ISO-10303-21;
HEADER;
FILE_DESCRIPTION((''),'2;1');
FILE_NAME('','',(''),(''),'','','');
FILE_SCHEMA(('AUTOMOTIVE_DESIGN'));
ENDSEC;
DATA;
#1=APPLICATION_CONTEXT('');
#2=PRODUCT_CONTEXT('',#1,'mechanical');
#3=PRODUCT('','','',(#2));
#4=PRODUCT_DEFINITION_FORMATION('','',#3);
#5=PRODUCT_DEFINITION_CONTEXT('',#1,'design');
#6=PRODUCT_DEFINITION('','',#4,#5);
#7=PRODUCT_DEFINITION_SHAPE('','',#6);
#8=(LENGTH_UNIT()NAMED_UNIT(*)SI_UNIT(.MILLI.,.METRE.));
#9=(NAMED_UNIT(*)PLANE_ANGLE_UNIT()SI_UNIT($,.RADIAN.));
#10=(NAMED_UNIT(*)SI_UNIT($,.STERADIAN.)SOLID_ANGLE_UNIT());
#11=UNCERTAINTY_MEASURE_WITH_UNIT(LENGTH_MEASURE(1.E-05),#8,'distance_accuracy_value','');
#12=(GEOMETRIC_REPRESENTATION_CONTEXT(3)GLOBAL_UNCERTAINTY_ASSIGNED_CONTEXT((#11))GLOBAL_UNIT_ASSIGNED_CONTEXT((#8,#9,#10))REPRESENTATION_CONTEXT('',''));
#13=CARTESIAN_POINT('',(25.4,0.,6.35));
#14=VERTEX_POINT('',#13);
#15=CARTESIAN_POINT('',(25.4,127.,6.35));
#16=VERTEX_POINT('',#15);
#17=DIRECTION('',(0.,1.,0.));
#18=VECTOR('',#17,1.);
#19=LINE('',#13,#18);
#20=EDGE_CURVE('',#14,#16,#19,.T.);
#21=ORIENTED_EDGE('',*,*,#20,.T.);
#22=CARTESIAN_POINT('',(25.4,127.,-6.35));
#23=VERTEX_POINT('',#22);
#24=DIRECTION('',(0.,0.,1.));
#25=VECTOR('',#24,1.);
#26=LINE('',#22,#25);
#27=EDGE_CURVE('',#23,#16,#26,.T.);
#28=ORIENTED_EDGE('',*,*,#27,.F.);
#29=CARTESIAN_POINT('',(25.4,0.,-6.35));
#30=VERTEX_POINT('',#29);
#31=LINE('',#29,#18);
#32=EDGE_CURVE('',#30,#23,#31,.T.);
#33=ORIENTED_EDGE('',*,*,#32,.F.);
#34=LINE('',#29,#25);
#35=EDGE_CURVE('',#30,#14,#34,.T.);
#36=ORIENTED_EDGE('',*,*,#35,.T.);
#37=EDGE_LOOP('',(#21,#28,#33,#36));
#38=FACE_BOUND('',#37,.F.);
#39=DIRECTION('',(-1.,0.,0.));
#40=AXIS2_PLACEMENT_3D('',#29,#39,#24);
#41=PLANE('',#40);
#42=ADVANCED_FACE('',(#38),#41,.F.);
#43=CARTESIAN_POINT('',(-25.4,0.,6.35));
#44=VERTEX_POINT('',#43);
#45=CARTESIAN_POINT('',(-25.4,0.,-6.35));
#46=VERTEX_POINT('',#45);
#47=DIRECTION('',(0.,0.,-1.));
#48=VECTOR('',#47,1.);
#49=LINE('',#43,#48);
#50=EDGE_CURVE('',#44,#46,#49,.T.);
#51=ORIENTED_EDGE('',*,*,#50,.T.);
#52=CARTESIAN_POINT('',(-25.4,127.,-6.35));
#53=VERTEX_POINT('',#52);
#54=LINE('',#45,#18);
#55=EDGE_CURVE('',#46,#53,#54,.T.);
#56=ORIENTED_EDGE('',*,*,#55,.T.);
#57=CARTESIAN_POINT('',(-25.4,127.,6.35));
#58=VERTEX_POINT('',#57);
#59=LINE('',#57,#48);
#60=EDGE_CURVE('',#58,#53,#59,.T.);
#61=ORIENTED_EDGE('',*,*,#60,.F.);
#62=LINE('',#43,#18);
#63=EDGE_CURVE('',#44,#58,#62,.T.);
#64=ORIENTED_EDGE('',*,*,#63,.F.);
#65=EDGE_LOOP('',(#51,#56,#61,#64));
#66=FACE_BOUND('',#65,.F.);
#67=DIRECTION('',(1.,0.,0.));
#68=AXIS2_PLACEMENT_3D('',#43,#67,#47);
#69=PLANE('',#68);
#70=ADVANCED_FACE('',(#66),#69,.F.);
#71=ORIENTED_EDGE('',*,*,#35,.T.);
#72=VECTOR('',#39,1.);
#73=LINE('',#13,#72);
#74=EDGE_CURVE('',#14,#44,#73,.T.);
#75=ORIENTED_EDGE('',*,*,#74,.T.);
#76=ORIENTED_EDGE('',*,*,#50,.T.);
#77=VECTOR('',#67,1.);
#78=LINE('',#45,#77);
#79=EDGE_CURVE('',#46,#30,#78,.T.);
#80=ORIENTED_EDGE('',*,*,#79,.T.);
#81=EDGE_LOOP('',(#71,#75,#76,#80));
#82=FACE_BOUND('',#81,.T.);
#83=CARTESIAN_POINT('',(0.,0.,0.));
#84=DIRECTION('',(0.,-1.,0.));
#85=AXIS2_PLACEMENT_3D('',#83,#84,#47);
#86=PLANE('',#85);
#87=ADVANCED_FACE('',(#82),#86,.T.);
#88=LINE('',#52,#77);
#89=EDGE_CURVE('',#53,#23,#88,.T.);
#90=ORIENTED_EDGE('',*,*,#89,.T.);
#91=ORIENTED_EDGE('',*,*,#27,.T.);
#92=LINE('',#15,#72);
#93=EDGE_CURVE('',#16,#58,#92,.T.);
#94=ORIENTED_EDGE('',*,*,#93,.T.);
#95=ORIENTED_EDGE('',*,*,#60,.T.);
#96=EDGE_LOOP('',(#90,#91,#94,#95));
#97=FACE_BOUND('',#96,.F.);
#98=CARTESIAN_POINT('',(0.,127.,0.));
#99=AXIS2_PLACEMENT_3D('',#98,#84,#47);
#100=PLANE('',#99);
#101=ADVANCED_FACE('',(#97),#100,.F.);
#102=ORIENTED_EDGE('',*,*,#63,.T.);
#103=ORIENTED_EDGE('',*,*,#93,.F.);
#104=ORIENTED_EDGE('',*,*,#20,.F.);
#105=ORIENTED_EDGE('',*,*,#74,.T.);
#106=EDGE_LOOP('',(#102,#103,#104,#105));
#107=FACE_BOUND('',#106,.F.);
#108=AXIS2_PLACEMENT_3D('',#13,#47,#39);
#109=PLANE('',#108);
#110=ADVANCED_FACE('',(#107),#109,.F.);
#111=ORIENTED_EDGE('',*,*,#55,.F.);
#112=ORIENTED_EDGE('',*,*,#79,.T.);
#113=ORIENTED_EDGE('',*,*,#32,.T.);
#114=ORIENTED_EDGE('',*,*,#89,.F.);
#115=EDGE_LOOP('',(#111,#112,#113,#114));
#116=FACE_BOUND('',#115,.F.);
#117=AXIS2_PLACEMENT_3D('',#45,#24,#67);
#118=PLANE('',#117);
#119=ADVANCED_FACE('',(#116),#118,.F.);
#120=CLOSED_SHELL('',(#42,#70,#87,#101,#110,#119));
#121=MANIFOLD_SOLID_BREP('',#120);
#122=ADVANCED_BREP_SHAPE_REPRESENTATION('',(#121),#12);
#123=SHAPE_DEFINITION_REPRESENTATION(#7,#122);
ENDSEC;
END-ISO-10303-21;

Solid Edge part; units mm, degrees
sketch "Sketch1" plane through (0, 0, 0) normal (1, 0, 0) x (0, 1, 0)
  line L0 (0, 0) -> (127, 0)
  dimension "D1" = 127
sketch "Sketch2" plane through (0, 0, 0) normal (0, -1, 0) x (1, 0, 0)
  line L0 (25.4, -6.35) -> (25.4, 6.35)
  line L1 (25.4, 6.35) -> (-25.4, 6.35)
  line L2 (-25.4, 6.35) -> (-25.4, -6.35)
  line L3 (-25.4, -6.35) -> (25.4, -6.35)
  dimension "D1" = 50.8
  dimension "D2" = 12.7
sweep "Protrusion_1" add profiles "Sketch2" path "Sketch1"
